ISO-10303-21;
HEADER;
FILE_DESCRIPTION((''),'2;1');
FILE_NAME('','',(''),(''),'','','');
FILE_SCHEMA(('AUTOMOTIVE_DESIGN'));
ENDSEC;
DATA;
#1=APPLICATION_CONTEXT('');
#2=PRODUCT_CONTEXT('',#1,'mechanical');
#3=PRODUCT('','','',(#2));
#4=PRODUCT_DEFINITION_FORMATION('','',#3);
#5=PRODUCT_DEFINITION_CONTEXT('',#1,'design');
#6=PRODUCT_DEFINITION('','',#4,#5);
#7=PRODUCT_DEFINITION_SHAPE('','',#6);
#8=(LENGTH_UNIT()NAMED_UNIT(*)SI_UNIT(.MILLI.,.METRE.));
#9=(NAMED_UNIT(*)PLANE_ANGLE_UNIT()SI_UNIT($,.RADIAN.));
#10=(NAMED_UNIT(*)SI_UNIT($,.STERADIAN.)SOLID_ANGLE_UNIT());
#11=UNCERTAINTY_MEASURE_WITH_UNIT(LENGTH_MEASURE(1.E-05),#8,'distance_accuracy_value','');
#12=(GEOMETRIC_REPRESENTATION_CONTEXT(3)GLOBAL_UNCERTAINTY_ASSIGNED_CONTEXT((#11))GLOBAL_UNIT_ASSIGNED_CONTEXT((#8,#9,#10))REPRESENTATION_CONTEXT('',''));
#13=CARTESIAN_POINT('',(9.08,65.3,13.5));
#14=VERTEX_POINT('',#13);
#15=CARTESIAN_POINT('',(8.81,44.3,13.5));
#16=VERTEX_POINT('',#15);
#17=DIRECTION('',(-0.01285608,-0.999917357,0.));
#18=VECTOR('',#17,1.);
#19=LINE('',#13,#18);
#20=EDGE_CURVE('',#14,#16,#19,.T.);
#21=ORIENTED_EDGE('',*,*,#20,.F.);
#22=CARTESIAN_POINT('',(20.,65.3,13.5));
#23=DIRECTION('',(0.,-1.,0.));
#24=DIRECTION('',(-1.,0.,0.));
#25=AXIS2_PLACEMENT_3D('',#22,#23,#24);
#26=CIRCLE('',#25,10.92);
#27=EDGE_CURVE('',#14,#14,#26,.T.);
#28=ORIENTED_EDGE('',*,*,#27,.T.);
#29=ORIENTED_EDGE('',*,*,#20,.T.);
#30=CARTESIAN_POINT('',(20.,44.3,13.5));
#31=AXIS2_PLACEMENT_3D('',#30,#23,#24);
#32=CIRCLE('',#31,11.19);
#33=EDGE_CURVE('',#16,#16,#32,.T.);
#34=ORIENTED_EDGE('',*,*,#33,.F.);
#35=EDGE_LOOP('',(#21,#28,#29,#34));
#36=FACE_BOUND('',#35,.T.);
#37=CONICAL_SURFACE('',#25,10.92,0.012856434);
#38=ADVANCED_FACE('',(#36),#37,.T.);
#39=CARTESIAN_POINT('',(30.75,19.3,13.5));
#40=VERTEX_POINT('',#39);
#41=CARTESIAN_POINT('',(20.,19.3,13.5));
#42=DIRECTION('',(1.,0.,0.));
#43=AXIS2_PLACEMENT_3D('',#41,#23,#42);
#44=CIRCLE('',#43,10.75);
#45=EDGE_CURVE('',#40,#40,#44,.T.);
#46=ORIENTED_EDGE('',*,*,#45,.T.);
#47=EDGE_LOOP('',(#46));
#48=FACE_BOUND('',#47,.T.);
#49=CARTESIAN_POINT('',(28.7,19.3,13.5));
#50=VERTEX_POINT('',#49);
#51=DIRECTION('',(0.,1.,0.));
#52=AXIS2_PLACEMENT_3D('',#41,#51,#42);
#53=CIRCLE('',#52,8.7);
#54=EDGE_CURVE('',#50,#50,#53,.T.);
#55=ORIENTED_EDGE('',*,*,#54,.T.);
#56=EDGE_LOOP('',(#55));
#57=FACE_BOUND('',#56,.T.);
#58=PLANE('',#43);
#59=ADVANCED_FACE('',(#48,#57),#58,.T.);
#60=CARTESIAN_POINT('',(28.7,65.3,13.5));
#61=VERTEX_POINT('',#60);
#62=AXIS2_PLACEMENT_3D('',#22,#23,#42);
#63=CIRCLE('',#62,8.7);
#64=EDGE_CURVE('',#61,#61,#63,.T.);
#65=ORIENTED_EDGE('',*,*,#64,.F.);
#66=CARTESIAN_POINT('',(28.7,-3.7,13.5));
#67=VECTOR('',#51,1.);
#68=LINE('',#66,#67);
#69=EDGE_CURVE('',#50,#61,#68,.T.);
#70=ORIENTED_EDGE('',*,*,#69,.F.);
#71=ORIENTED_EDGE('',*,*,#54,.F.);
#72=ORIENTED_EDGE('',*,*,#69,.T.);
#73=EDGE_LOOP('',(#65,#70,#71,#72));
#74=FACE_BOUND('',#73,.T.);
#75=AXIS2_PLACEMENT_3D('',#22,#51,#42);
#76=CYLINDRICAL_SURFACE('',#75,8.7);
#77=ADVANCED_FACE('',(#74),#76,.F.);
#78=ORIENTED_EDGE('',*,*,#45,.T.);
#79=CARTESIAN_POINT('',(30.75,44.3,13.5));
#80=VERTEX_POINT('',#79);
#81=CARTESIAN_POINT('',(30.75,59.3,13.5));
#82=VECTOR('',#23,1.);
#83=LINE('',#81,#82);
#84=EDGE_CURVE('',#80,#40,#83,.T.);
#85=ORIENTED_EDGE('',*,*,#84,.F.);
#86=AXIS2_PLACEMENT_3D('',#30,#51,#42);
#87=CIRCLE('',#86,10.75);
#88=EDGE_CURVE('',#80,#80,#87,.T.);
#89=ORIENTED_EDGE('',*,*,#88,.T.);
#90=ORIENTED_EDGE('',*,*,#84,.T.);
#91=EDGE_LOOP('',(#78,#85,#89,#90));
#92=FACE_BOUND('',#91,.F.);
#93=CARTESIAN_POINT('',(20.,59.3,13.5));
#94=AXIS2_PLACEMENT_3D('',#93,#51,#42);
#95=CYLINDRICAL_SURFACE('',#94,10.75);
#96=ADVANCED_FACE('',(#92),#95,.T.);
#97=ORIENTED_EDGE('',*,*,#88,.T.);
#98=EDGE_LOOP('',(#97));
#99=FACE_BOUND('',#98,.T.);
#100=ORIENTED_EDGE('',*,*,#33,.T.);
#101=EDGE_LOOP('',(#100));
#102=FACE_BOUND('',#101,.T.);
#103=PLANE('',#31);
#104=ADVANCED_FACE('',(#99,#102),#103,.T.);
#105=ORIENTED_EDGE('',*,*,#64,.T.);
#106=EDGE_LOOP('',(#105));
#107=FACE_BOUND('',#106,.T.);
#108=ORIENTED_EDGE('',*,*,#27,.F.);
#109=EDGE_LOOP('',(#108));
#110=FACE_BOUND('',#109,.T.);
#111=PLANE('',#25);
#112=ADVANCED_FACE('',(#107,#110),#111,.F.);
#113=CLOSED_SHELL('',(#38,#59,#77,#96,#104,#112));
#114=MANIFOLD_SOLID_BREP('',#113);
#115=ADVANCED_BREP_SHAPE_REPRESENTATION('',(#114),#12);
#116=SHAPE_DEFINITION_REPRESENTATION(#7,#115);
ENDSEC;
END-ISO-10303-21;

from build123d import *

# Parameters (mm, degrees)
CYLINDER005_R     = 8.7
CYLINDER005_DEPTH = 40
CYLINDER003_R     = 8.7
CYLINDER003_DEPTH = 40
CYLINDER007_R     = 10.75
CYLINDER007_DEPTH = 40


with BuildPart() as outletextension:
    # Cylinder005 → Cylinder005 (new body)
    with BuildSketch(Plane(origin=(20, 65.3, 13.5), x_dir=(1, 0, 0), z_dir=(0, -1, 0))):
        Circle(CYLINDER005_R)
    extrude(amount=CYLINDER005_DEPTH)


with BuildPart() as inside:
    # Cylinder003 → Cylinder003 (new body)
    with BuildSketch(Plane(origin=(20, 36.3, 13.5), x_dir=(1, 0, 0), z_dir=(0, -1, 0))):
        Circle(CYLINDER003_R)
    extrude(amount=CYLINDER003_DEPTH)

    # Fusion001: union OutletExtension
    add(outletextension.part)


with BuildPart() as housingoutlet:
    # Cylinder007 → Cylinder007 (new body)
    with BuildSketch(Plane(origin=(20, 59.3, 13.5), x_dir=(1, 0, 0), z_dir=(0, -1, 0))):
        Circle(CYLINDER007_R)
    extrude(amount=CYLINDER007_DEPTH)


with BuildPart() as bloweroutletadapter:
    # Cone001 → Cone001 (revolve)
    with BuildSketch(Plane(origin=(20, 65.3, 13.5), x_dir=(-1, 0, 0), z_dir=(0, 0, 1))):
        Polygon((0, 0), (10.92, 0), (11.19, 21), (0, 21), align=None)
    revolve(axis=Axis((20, 65.3, 13.5), (0, -1, 0)))

    # Fusion: union HousingOutlet
    add(housingoutlet.part)

    # Cut: cut inside
    add(inside.part, mode=Mode.SUBTRACT)


solid = bloweroutletadapter.part
